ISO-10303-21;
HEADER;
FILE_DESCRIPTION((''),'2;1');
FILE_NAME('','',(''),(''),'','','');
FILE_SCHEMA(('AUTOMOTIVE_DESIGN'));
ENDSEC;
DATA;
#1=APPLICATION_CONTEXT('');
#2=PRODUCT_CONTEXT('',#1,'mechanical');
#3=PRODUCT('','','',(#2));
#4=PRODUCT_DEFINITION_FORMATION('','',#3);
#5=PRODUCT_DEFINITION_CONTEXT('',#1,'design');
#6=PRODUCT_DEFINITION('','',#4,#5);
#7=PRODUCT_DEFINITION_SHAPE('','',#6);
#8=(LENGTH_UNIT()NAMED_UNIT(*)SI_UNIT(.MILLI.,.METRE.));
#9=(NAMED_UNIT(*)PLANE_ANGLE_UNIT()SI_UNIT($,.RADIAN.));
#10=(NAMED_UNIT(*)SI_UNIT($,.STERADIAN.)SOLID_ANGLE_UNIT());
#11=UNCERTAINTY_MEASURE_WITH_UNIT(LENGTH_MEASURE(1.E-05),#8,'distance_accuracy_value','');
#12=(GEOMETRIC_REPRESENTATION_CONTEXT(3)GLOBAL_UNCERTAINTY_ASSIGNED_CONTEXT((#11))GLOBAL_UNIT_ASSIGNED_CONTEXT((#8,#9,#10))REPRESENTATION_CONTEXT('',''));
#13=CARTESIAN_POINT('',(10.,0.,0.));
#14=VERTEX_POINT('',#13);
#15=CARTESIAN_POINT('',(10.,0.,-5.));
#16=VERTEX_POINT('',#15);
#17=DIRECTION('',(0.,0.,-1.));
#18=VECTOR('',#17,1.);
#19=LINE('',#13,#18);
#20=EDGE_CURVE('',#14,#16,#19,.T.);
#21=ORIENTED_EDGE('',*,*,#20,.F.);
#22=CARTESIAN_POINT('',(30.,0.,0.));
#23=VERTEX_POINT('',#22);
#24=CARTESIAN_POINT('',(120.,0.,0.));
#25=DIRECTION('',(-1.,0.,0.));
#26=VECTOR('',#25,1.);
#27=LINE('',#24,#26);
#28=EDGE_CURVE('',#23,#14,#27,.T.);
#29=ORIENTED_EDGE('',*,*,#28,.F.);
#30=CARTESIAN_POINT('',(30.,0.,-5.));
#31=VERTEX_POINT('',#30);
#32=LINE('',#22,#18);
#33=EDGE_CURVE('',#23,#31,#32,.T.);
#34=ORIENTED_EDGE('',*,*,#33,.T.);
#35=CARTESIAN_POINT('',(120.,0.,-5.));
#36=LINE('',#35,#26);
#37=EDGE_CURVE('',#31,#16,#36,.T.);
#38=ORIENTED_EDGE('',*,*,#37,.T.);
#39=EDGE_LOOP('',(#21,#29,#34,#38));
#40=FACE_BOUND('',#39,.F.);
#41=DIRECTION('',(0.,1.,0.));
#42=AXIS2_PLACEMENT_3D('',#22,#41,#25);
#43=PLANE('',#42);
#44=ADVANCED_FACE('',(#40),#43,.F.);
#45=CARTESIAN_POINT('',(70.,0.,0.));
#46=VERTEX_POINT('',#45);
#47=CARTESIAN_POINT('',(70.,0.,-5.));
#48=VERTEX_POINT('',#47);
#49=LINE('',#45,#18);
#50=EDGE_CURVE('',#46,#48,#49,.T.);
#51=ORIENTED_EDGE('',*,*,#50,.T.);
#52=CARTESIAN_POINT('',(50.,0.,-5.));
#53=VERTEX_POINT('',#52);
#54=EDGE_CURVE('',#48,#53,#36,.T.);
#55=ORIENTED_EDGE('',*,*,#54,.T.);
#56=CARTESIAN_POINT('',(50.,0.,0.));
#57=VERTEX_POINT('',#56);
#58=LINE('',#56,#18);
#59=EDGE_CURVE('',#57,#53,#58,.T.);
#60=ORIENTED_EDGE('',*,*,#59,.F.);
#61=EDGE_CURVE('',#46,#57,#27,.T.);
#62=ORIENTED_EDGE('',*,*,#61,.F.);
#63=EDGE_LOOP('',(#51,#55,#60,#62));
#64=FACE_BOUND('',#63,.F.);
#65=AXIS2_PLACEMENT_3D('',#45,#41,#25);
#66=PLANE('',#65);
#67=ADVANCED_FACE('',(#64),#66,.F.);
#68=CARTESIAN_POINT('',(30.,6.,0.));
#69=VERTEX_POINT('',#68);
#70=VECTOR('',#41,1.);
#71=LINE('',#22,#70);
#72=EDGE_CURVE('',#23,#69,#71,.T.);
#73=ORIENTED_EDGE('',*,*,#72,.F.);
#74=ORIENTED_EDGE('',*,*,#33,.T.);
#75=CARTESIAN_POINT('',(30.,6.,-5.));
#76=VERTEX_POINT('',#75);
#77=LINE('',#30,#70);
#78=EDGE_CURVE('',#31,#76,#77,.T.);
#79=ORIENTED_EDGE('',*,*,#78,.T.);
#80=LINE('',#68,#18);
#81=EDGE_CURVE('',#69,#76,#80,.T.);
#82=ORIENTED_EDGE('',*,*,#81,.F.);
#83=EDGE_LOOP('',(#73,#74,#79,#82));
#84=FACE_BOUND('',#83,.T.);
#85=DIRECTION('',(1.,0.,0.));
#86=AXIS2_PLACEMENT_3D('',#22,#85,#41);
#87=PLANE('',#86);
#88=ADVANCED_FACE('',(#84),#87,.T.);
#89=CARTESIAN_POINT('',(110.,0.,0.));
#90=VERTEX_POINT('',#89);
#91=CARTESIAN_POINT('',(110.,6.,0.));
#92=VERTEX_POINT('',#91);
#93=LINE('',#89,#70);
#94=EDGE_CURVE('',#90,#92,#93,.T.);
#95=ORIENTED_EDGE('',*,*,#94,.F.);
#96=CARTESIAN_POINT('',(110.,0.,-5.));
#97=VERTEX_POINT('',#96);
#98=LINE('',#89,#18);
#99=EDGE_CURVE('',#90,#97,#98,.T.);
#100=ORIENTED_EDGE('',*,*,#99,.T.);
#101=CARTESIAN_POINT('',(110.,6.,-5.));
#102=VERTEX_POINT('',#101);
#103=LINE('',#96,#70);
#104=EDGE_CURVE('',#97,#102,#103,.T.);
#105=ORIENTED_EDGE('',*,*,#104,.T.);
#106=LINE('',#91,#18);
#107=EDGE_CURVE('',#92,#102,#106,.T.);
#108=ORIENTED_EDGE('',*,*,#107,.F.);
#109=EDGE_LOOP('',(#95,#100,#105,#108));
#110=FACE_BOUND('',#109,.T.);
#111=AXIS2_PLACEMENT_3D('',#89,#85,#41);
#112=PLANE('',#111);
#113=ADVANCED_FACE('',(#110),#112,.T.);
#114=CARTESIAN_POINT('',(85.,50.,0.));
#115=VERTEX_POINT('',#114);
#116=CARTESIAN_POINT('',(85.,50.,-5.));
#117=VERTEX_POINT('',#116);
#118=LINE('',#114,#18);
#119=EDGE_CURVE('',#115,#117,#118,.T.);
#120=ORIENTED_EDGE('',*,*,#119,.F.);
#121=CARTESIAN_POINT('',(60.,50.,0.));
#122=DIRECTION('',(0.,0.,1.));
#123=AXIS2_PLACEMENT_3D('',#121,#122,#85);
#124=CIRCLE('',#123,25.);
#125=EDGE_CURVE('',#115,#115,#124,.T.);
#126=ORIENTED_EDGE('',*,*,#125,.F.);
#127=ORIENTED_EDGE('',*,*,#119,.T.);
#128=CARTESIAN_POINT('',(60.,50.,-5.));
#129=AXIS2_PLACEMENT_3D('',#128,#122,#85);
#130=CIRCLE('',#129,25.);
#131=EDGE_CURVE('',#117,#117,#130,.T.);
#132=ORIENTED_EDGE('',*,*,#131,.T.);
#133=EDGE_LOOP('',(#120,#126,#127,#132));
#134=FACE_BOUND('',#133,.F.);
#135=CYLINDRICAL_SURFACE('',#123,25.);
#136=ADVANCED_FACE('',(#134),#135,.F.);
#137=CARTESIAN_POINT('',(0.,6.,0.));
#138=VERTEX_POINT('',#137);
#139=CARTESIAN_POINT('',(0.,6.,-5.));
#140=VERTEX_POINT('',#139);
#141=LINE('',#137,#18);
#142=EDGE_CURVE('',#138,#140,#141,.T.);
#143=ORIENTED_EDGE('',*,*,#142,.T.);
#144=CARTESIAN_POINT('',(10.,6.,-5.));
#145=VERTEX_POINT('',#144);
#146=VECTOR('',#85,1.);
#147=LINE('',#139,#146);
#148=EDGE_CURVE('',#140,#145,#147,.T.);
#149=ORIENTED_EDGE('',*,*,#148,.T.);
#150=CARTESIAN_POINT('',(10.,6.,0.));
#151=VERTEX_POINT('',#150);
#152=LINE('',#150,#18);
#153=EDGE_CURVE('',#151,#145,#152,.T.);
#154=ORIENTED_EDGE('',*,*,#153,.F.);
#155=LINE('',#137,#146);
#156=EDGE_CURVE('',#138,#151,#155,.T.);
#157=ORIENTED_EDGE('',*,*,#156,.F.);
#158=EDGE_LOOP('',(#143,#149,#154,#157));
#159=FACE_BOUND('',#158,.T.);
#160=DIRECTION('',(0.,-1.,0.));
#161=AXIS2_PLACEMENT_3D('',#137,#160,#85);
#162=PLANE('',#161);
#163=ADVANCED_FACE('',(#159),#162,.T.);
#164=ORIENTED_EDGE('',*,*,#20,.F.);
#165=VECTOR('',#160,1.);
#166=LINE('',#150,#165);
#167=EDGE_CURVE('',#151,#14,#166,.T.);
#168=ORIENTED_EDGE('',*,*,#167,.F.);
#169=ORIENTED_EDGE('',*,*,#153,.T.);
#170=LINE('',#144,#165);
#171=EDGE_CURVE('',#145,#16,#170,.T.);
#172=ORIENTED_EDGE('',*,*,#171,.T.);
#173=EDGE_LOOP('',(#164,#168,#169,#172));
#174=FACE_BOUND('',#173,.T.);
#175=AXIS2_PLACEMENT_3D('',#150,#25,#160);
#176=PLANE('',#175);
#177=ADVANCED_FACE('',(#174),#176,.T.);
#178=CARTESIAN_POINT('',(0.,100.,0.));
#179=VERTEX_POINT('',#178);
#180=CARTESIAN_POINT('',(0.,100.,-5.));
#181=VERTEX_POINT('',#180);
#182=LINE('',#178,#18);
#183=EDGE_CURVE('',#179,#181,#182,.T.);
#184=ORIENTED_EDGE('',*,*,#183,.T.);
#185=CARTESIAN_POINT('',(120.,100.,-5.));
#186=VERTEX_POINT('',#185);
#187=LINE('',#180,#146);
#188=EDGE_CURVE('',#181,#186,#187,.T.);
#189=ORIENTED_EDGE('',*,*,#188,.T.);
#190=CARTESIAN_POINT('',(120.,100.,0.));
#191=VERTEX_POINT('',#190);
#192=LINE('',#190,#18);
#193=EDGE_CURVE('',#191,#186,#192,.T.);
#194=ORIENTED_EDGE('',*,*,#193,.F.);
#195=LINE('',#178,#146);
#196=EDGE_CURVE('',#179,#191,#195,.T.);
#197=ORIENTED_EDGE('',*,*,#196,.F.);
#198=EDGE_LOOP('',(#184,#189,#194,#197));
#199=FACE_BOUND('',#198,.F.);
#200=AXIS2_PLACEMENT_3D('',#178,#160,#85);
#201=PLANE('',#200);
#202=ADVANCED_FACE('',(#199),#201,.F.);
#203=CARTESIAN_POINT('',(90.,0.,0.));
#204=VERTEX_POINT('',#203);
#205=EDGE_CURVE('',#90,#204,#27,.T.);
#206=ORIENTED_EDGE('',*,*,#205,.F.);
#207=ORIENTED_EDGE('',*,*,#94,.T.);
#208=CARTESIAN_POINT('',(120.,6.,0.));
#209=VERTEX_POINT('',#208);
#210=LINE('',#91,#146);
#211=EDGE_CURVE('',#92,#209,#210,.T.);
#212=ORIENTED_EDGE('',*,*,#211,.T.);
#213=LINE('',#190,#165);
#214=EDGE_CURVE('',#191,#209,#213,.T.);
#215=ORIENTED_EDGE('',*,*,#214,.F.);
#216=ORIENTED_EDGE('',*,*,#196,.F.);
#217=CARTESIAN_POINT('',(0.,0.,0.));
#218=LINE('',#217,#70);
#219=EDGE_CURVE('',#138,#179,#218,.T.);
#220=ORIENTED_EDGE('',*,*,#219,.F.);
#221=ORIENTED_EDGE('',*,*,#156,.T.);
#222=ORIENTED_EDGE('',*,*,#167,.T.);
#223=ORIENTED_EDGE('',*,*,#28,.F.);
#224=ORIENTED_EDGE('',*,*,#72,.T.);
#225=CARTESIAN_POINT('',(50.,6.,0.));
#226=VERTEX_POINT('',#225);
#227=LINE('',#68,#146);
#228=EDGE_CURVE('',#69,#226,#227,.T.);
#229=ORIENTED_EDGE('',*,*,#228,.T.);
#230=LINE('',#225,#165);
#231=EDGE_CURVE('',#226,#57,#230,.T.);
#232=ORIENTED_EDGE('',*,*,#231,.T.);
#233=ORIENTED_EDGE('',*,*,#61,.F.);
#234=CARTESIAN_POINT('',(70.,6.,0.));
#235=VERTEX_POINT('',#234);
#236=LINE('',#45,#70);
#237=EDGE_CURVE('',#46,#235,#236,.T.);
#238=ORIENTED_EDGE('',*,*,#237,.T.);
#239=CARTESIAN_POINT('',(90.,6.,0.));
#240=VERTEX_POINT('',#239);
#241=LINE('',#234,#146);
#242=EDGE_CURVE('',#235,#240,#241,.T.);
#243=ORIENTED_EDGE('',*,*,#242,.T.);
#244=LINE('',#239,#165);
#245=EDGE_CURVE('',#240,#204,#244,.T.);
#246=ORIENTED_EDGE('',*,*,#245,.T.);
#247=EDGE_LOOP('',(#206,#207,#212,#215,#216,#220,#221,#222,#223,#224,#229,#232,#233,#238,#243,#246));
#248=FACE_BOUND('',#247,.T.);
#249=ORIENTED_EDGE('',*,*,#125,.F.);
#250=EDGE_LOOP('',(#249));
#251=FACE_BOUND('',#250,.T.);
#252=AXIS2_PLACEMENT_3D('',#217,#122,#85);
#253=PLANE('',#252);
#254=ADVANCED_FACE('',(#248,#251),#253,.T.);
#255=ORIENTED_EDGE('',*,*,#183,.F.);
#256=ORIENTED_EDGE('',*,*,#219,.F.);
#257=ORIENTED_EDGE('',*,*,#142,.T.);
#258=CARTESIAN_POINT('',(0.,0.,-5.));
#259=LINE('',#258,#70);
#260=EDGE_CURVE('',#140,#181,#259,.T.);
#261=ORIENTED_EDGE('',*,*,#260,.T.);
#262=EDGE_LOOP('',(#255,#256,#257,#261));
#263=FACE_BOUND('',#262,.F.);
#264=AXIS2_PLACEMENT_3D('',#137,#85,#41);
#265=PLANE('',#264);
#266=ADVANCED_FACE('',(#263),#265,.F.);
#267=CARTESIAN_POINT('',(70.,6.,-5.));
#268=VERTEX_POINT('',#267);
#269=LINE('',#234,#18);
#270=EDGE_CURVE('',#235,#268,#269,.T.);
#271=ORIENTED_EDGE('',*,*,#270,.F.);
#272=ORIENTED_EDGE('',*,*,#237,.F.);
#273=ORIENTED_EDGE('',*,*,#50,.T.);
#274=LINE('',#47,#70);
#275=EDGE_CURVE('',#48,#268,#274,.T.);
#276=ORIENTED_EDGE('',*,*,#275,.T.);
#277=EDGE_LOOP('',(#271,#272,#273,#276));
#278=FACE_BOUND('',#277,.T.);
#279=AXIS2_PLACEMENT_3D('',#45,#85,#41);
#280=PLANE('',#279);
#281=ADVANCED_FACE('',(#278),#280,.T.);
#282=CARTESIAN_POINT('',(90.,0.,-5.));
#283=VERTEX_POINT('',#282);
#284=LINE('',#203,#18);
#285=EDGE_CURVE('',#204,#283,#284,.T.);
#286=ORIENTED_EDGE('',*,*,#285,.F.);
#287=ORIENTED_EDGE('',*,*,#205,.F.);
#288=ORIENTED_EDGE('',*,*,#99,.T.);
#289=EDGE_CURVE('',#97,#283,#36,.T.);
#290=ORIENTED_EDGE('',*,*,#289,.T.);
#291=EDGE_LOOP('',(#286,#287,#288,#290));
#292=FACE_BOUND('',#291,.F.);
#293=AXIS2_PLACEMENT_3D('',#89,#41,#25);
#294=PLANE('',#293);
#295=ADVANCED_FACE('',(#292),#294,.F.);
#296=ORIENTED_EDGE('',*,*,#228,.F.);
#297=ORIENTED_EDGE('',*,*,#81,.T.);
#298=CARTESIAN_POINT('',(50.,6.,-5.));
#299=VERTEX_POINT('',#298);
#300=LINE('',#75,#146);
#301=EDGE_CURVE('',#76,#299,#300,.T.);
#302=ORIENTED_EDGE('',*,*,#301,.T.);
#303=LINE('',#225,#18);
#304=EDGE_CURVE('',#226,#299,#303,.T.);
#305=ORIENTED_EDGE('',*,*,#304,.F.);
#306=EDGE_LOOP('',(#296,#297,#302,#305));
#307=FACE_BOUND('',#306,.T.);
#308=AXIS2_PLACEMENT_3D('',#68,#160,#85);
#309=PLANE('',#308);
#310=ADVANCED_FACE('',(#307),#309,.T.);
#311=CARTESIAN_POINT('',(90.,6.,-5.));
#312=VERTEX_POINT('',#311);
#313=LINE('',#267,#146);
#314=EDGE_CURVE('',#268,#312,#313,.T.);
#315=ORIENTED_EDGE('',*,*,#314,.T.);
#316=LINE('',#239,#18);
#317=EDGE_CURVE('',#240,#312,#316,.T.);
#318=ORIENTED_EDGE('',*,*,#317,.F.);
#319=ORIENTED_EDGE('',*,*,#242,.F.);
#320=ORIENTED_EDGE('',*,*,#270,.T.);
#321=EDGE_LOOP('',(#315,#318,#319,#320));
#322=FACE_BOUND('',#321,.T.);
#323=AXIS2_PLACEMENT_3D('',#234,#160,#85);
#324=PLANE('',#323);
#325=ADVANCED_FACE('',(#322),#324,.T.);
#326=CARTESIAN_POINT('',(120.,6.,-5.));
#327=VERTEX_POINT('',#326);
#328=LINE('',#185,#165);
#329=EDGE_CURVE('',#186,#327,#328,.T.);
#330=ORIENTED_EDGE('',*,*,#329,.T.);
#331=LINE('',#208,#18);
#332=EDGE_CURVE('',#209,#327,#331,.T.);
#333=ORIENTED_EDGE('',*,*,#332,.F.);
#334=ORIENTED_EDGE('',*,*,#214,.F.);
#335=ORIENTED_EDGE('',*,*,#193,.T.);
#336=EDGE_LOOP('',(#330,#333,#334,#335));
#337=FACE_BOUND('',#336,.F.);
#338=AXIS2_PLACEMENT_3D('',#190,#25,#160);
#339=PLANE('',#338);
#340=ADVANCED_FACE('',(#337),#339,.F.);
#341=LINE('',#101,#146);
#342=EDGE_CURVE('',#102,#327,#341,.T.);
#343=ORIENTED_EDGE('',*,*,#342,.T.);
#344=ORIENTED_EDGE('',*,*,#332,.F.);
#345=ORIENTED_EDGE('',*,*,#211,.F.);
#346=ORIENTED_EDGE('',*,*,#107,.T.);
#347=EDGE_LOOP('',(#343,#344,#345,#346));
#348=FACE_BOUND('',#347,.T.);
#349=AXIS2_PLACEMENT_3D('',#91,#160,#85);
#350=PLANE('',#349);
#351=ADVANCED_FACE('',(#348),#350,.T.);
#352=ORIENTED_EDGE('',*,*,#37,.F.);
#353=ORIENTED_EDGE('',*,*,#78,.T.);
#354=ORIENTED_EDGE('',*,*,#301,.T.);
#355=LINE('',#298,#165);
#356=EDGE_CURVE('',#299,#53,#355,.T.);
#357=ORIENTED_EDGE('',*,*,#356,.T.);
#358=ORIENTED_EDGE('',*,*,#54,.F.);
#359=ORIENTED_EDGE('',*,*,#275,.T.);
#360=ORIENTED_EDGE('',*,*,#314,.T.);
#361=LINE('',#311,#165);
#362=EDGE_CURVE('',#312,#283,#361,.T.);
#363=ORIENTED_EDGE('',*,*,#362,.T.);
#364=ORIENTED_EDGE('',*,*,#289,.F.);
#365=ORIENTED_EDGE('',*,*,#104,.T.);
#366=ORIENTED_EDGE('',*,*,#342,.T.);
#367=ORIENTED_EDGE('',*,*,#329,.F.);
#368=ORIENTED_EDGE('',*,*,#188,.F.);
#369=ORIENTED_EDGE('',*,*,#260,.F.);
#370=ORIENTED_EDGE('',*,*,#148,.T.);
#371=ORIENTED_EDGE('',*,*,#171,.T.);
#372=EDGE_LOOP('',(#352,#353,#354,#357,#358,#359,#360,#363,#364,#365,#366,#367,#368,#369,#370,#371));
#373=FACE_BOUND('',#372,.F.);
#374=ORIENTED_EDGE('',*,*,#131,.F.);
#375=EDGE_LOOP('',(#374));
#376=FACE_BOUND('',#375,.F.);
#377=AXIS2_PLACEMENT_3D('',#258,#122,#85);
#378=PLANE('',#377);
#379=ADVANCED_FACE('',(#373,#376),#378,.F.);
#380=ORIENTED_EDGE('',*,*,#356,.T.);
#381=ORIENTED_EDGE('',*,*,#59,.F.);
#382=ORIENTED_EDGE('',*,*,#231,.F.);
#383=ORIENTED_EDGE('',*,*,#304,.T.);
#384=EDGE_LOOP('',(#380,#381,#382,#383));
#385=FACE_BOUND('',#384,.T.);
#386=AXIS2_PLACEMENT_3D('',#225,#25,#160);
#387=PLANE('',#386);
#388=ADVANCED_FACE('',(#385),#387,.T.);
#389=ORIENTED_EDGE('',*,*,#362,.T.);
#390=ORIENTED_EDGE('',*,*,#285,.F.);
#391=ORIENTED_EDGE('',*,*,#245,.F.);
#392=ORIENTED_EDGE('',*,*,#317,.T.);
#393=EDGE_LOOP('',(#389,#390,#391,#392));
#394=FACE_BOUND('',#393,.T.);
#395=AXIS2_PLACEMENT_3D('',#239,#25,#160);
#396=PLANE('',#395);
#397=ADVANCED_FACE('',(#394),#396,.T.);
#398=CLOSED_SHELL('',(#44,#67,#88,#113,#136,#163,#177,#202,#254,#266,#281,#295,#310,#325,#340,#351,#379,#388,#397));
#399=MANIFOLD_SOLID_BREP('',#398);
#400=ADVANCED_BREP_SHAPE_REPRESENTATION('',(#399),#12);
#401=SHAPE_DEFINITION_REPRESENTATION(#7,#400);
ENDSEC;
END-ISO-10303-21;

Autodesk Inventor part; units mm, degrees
ref_plane "YZ Plane" through (0, 0, 0) normal (1, 0, 0) x (0, 1, 0)
ref_plane "XZ Plane" through (0, 0, 0) normal (0, 1, 0) x (-1, 0, 0)
ref_plane "XY Plane" through (0, 0, 0) normal (0, 0, 1) x (1, 0, 0)
sketch "Sketch1" plane through (0, 0, 0) normal (0, 0, 1) x (1, 0, 0)
  line L0 (0, 0) -> (0, 100)
  line L1 (0, 100) -> (120, 100)
  line L2 (120, 100) -> (120, 0)
  line L3 (120, 0) -> (0, 0)
  circle A0 centre (60, 50) radius 25
  line L4 (0, 0) -> (0, 6)
  line L5 (0, 6) -> (10, 6)
  line L6 (10, 6) -> (10, 0)
  line L7 (10, 0) -> (30, 0)
  line L8 (30, 0) -> (30, 6)
  line L9 (30, 6) -> (50, 6)
  line L10 (50, 6) -> (50, 0)
  line L11 (50, 0) -> (70, 0)
  line L12 (70, 0) -> (70, 6)
  line L13 (70, 6) -> (90, 6)
  line L14 (90, 6) -> (90, 0)
  line L15 (90, 0) -> (110, 0)
  line L16 (110, 0) -> (110, 6)
  line L17 (110, 6) -> (120, 6)
  dimension "d3" = 100
  dimension "d4" = 120
  dimension "d6" = 50
  dimension "d9" = 50
  dimension "d10" = 60
  dimension "d11" = 6
  dimension "d12" = 10
  dimension "d13" = 20
  dimension "d14" = 20
  dimension "d15" = 20
  dimension "d16" = 20
  dimension "d17" = 20
extrude "Extrusion1" add sketch "Sketch1" against normal blind 5 contours L0 L1 L2 L17 L16 L3 L14 L13 L12 L10 L9 L8 L6 L5
properties part number "Archimedes Screw Border1"
